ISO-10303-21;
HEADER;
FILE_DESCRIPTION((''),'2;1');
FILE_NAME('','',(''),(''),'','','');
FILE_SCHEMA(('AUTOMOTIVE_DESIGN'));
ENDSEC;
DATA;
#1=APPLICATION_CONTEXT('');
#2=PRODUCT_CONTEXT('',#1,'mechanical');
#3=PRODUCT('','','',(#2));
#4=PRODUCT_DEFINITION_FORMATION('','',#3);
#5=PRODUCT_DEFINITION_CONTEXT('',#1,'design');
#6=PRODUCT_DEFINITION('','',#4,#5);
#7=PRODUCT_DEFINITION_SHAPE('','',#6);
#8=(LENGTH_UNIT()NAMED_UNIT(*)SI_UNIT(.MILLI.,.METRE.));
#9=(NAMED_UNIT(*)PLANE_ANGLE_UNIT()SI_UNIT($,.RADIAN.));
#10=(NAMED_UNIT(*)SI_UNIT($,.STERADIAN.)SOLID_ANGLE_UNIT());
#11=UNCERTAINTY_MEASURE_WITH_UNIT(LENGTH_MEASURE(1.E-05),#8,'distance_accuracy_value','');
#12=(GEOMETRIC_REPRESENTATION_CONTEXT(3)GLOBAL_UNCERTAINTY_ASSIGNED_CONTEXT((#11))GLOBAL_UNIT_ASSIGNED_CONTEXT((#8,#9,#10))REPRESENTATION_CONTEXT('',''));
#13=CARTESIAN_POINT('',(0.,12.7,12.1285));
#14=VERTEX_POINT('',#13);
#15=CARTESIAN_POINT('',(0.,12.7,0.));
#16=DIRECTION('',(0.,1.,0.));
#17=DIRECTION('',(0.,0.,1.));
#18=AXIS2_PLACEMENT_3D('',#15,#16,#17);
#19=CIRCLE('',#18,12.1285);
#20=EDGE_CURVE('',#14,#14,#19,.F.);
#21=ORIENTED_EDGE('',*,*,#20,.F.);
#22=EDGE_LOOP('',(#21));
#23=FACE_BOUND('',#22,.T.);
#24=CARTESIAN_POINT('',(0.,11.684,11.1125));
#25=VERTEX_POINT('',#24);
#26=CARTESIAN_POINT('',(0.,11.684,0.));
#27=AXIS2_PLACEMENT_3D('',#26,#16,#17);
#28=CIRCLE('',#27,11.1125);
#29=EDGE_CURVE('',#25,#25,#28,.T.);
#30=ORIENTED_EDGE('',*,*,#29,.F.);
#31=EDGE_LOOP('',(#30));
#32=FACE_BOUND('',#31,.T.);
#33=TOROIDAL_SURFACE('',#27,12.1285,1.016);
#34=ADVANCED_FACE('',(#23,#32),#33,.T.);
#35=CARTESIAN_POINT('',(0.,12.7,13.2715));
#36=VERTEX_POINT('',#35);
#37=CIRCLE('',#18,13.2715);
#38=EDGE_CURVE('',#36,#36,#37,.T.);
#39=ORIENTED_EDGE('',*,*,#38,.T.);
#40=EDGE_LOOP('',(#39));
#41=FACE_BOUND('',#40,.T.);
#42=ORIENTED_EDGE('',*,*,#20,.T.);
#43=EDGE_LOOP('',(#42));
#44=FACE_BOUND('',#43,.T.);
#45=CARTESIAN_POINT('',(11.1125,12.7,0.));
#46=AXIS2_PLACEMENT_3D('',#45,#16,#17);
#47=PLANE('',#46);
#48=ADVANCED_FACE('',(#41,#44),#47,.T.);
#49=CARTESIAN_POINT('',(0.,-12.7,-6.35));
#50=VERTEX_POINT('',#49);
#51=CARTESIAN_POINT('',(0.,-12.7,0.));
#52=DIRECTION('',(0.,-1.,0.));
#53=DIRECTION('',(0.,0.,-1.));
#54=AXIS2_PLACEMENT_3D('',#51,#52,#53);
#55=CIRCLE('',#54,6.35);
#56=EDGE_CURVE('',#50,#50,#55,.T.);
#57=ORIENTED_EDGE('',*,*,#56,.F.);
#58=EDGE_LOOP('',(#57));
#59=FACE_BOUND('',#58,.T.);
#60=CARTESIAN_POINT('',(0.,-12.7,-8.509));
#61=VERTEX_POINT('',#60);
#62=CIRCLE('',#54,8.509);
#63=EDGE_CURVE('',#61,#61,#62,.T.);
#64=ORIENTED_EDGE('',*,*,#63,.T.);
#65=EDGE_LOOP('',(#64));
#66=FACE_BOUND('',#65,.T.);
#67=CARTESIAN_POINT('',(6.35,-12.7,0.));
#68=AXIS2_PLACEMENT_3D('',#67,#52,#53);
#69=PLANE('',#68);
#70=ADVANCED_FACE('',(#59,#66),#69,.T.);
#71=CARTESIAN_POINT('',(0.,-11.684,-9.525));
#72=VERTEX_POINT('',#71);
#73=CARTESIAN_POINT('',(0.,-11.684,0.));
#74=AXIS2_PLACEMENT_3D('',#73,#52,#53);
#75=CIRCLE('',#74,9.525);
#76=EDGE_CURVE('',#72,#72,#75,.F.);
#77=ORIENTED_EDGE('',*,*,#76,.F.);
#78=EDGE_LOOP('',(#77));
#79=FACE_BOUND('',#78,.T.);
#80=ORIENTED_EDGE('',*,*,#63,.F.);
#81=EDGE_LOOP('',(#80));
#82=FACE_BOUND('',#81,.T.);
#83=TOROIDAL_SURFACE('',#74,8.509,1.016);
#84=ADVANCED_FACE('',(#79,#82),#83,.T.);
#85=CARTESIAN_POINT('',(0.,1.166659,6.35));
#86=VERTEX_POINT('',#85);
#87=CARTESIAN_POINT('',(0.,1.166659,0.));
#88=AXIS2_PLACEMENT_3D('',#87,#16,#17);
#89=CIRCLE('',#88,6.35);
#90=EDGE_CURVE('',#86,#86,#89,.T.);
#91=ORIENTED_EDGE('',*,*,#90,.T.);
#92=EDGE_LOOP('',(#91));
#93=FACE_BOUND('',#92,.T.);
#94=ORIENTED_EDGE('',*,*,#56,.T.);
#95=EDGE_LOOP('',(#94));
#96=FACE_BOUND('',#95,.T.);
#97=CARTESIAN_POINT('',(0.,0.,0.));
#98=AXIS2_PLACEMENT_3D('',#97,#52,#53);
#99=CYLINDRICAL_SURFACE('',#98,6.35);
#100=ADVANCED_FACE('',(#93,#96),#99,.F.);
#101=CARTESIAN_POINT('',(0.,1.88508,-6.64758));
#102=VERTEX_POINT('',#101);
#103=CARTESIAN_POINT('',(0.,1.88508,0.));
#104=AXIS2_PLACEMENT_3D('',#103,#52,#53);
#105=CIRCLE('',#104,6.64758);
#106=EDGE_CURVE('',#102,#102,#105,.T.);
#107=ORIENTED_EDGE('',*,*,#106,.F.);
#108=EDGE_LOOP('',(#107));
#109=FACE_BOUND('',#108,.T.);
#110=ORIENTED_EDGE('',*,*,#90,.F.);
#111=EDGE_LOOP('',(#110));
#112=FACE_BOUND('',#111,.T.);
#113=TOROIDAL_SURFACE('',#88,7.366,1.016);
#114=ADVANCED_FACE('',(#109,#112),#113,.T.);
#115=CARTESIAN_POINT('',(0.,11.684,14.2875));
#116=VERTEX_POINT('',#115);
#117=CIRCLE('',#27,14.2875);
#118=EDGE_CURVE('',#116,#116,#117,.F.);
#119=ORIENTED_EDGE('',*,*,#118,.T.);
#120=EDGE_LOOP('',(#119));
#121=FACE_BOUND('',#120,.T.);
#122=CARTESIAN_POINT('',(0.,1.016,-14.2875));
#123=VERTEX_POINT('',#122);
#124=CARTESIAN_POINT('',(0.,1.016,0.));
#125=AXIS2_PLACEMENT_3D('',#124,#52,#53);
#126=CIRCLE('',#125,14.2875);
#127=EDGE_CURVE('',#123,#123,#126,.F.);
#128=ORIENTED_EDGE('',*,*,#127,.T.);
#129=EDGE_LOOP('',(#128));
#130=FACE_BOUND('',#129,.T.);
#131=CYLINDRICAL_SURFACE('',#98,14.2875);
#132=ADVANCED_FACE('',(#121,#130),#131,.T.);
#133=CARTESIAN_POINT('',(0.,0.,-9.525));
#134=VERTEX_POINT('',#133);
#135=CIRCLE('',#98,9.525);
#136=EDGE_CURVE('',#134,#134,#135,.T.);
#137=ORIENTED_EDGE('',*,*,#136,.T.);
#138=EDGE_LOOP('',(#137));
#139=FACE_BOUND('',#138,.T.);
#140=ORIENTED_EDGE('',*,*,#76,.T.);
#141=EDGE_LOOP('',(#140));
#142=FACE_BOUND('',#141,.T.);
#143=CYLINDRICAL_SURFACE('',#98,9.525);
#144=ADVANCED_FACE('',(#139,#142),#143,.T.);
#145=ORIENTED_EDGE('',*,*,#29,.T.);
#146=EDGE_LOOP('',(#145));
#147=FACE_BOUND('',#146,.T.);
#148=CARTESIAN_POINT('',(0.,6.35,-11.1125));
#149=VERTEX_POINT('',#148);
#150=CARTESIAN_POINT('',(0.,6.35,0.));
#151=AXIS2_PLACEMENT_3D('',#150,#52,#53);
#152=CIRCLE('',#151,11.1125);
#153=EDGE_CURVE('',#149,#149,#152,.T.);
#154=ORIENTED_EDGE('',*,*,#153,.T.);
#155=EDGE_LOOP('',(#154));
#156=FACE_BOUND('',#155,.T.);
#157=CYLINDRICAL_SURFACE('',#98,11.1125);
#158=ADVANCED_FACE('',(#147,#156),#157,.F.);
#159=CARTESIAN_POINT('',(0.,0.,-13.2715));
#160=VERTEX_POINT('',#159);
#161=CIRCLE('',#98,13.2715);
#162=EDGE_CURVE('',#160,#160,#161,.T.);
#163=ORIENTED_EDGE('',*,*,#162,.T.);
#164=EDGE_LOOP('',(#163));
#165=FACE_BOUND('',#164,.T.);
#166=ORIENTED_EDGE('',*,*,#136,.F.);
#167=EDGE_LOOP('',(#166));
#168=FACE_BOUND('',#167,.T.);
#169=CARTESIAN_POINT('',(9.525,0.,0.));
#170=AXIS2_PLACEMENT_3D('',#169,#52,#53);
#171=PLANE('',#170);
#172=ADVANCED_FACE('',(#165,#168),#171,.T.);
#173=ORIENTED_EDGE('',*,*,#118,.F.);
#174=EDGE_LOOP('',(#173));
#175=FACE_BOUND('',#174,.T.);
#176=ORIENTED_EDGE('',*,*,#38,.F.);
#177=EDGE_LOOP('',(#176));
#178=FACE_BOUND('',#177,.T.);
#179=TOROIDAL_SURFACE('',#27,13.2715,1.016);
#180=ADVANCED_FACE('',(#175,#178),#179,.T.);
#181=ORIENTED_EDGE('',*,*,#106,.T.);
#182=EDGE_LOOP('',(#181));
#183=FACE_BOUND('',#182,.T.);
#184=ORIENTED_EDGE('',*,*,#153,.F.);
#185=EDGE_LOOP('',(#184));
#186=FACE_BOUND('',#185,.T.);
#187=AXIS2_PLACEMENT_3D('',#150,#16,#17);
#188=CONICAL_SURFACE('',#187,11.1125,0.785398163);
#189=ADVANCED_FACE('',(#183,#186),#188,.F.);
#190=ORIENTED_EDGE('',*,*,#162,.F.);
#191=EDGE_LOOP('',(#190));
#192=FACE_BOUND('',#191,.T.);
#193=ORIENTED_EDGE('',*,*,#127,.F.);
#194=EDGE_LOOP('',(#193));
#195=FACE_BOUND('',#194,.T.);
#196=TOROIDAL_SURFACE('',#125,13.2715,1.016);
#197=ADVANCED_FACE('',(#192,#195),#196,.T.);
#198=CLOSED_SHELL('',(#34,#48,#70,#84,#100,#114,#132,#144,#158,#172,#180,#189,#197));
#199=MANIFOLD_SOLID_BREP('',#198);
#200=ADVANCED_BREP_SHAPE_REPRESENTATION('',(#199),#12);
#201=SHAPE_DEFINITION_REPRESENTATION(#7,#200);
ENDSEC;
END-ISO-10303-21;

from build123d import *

# Parameters (mm, degrees)
RADYUS1_R = 1.016


with BuildPart() as part:
    # Sketch1 → Döndür1 (revolve)
    with BuildSketch(Plane.XY, mode=Mode.PRIVATE) as d_nd_r1_sk:
        Polygon((6.35, -12.7), (9.525, -12.7), (9.525, 0), (14.2875, 0), (14.2875, 12.7), (11.1125, 12.7), (11.1125, 6.35), (6.35, 1.5875), align=None)
    revolve(d_nd_r1_sk.sketch.rotate(Axis((0, 0, 0), (0, 1, 0)), 90), axis=Axis((0, 0, 0), (0, 1, 0)))

    # Radyus1
    radyus1_edges = [part.edges().sort_by_distance(p)[0] for p in [
        (0, 1.5875, 6.35),
        (0, 12.7, 11.1125),
        (0, 12.7, 14.2875),
        (0, 0, 14.2875),
        (0, -12.7, 9.525),
    ]]
    fillet(radyus1_edges, radius=RADYUS1_R)


solid = part.part
